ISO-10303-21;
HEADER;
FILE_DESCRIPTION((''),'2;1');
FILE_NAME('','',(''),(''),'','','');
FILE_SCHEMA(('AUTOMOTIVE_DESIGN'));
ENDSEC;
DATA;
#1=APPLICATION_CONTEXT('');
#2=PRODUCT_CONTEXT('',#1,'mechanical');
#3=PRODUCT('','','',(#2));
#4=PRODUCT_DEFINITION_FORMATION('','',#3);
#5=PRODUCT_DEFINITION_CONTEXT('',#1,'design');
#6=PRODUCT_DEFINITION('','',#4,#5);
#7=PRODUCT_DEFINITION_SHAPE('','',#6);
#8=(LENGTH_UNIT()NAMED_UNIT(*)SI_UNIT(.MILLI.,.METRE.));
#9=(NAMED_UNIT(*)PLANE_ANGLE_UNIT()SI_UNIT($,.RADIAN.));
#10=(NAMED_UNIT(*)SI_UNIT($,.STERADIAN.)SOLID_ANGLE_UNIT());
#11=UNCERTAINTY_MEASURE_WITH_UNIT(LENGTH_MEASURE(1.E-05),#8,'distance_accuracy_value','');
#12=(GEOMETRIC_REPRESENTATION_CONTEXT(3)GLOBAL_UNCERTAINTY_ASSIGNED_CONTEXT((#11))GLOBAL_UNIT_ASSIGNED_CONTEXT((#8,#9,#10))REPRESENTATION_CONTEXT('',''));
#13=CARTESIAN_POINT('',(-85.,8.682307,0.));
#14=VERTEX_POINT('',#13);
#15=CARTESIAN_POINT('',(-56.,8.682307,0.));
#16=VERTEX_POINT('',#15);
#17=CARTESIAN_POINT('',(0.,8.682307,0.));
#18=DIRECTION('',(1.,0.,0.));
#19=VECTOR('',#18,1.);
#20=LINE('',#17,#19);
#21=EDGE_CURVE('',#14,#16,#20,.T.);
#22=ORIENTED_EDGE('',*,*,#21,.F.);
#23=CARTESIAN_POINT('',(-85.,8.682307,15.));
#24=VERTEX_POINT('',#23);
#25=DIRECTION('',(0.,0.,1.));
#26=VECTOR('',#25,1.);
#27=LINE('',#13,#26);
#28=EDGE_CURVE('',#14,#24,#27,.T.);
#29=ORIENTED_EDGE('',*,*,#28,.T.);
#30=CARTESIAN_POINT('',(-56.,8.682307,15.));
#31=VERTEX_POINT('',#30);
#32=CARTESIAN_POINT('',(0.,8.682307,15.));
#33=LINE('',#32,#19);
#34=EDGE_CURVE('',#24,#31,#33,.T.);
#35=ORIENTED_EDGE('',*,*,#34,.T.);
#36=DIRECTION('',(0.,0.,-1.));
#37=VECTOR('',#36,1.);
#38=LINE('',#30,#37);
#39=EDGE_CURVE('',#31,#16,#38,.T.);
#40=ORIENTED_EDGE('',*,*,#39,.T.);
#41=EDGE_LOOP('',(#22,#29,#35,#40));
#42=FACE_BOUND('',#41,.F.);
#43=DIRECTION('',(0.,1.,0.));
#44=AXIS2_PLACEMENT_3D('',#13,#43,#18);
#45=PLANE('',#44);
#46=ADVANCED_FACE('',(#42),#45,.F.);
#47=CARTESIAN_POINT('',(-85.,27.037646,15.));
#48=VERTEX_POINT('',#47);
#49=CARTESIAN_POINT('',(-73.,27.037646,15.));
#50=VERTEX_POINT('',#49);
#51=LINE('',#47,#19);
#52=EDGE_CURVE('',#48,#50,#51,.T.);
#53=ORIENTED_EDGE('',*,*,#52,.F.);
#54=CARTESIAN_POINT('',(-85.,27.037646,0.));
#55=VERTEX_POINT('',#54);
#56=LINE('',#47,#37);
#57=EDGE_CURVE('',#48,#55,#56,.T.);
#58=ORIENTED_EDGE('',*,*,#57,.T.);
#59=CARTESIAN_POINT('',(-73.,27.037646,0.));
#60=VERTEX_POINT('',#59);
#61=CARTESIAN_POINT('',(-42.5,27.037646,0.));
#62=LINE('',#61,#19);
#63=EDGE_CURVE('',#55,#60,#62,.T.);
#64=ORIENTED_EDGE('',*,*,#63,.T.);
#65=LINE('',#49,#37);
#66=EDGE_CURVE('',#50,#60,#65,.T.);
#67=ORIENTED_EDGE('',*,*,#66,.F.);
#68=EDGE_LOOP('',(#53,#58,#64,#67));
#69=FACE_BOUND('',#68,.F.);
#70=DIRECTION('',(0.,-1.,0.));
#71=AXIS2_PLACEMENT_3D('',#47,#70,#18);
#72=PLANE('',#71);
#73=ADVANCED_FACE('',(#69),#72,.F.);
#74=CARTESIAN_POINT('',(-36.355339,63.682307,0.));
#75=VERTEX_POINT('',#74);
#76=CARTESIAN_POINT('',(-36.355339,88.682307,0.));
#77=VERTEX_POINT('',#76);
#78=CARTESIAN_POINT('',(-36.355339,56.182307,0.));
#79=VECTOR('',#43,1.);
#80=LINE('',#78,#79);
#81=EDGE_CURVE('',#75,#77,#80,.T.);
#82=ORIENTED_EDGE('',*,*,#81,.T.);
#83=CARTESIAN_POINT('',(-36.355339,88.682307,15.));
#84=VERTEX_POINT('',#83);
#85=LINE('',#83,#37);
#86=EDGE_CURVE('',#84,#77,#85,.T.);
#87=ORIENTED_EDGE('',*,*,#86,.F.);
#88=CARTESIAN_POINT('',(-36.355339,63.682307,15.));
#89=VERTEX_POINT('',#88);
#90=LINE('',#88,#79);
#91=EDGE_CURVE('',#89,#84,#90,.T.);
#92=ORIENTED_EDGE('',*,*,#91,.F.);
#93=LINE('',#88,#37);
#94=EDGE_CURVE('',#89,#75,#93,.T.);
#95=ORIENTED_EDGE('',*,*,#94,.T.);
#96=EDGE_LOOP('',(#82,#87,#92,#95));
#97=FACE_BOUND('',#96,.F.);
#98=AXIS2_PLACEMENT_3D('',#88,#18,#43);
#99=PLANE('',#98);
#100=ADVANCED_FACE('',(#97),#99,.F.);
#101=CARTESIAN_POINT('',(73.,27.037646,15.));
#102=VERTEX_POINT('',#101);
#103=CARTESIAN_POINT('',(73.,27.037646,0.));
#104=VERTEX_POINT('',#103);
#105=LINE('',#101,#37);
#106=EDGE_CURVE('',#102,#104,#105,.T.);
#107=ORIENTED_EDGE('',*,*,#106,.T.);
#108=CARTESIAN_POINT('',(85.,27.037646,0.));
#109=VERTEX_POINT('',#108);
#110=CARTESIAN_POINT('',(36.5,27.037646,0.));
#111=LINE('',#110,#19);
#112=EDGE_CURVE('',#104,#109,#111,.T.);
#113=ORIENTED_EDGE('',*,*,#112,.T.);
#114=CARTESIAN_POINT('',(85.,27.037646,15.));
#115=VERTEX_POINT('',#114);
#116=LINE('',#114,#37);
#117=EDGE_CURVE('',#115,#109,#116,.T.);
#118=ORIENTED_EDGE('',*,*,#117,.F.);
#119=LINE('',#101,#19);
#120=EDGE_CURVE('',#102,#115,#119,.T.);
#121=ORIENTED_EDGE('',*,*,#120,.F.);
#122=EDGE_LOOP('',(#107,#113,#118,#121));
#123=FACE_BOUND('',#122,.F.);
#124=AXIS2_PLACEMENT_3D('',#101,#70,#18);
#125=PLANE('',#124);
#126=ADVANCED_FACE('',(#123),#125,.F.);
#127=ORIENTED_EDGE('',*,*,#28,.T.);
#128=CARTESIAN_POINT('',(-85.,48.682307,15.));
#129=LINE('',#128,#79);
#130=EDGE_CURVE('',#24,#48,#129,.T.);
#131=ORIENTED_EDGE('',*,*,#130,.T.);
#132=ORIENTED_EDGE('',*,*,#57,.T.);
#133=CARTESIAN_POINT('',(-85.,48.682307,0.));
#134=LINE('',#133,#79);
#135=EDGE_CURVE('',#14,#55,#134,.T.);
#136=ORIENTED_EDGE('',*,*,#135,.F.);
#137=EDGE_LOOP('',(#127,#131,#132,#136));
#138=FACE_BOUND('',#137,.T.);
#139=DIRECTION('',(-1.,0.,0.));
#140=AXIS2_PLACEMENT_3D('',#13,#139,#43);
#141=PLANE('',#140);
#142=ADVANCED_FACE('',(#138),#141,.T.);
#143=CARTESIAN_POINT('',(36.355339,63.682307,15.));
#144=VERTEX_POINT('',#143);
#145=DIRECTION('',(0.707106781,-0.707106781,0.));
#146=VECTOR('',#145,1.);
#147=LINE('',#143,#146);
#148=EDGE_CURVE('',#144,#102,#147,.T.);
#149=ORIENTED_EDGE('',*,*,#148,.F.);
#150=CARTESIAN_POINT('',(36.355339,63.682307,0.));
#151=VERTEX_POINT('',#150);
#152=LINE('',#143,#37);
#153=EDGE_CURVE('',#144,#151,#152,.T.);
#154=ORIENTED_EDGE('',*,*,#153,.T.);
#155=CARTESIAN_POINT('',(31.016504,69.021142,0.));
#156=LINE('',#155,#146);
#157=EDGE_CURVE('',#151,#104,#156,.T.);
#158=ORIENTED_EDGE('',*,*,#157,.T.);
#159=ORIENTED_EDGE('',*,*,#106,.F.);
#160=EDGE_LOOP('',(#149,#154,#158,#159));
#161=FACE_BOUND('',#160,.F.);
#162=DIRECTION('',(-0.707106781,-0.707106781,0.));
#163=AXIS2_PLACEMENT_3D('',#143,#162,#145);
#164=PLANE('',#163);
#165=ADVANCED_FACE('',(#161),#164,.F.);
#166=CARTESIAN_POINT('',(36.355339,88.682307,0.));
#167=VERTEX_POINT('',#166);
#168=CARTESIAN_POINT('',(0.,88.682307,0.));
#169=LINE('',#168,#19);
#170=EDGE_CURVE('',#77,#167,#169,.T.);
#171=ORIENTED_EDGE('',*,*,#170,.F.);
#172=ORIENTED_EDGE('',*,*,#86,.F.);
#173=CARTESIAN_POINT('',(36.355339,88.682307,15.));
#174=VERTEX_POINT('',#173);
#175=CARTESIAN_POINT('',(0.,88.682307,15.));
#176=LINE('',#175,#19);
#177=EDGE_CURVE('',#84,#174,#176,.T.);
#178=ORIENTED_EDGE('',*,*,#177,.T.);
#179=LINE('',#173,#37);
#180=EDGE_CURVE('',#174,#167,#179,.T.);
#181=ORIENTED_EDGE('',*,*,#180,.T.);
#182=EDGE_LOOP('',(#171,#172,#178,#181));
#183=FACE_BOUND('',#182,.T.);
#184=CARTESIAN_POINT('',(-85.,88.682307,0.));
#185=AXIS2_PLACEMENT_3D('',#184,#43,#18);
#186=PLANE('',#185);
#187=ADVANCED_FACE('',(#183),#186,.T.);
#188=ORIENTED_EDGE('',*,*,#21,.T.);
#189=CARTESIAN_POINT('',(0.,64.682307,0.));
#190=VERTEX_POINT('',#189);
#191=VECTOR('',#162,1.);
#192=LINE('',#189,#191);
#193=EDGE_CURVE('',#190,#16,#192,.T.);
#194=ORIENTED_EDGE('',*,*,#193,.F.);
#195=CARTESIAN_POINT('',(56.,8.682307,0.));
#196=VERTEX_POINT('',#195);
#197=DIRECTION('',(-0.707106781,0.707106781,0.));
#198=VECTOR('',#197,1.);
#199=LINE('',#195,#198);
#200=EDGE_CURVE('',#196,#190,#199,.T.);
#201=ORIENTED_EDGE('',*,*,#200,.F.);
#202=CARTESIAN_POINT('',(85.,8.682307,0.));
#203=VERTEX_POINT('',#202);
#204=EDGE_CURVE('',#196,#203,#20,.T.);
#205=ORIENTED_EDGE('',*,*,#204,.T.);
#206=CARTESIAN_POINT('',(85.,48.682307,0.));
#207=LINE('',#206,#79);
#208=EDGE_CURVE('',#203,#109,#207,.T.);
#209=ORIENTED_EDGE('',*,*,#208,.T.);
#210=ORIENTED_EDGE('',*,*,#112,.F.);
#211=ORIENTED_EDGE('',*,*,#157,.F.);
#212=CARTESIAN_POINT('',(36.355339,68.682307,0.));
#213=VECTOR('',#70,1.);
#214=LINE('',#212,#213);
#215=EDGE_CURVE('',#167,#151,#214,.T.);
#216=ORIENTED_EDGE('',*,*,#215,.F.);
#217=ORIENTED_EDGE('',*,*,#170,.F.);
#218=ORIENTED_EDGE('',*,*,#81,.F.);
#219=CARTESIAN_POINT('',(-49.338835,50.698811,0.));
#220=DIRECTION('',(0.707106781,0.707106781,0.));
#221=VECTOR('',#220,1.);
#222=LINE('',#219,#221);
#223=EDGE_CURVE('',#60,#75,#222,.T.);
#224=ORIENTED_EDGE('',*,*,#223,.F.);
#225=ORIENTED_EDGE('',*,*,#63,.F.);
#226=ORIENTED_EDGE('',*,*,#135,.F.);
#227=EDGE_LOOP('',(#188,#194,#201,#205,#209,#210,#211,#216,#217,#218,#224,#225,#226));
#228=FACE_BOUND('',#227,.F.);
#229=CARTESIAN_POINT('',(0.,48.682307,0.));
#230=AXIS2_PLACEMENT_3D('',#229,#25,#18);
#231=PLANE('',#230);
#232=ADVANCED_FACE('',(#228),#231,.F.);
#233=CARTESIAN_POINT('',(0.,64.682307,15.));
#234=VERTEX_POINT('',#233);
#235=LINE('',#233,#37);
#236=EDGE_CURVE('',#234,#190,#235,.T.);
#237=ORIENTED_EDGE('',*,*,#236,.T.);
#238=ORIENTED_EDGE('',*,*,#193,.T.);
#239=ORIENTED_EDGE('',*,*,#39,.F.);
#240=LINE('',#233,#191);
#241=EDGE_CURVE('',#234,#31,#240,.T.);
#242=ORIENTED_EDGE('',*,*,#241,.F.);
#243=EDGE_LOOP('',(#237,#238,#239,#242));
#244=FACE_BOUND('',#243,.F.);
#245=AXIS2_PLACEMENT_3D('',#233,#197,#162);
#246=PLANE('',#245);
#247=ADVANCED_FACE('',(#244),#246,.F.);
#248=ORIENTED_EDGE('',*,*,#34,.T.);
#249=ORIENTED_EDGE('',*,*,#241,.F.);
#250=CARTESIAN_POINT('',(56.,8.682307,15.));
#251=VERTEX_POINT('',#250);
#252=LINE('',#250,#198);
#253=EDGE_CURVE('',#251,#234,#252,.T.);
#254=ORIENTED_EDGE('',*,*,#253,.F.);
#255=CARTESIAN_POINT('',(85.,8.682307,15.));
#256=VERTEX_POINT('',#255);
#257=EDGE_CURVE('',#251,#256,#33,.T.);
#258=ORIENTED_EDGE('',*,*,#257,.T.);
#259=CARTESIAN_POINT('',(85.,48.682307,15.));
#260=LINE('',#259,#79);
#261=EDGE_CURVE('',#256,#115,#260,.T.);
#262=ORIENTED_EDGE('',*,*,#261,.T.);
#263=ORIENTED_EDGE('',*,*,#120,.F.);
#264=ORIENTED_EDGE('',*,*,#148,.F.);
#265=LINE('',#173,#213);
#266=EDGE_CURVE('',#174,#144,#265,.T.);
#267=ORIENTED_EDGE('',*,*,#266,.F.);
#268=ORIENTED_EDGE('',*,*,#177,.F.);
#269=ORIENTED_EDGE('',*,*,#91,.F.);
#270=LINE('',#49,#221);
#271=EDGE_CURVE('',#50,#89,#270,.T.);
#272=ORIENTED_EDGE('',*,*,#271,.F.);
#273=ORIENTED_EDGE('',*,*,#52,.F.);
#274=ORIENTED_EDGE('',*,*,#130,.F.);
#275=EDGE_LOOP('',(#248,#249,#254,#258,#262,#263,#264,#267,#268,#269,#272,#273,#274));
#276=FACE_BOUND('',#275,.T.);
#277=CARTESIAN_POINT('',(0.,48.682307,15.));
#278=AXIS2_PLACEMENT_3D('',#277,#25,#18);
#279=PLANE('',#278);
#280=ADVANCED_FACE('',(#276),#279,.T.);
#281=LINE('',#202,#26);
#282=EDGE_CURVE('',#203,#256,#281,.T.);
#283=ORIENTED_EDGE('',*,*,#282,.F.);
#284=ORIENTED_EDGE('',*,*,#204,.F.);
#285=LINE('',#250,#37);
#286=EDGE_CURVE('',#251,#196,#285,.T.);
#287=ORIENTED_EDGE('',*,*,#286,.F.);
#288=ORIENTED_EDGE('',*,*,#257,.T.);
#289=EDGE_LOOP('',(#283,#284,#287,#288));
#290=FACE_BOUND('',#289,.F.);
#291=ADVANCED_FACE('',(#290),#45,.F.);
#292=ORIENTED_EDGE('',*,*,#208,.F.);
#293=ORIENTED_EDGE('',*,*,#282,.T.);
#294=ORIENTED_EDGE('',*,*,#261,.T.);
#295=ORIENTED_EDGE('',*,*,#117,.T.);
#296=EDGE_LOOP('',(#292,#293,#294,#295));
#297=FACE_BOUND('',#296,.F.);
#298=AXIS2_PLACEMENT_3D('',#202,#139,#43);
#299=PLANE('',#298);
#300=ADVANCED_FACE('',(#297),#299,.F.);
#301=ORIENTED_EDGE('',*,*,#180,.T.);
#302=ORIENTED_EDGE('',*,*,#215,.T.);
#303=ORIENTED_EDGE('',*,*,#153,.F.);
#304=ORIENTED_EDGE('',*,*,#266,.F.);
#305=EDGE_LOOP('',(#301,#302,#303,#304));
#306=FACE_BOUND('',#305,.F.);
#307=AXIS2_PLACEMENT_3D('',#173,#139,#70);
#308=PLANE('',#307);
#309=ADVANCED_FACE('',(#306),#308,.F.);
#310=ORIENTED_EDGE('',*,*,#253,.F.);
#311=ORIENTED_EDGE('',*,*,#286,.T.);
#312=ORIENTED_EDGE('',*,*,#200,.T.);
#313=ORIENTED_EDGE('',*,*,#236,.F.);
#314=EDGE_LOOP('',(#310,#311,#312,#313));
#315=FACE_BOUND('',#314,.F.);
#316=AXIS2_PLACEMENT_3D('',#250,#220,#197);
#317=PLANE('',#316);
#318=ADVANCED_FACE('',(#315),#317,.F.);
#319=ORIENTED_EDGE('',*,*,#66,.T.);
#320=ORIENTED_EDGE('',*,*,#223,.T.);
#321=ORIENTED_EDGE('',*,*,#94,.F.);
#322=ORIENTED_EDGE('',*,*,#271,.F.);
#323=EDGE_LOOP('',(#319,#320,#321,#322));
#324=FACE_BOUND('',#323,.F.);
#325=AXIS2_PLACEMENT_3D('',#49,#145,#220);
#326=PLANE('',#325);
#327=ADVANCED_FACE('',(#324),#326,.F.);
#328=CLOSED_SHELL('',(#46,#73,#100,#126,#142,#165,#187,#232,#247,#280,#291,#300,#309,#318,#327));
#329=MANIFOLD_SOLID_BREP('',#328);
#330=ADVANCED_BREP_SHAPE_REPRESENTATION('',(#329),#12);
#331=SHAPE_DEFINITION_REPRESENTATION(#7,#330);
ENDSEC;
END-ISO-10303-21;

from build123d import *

# Parameters (mm, degrees)
F1_W     = 170
F1_H     = 80
F2_DEPTH = 15
F4_DEPTH = 15
F6_DEPTH = 25


with BuildPart() as f2:
    # F1 (on Top) → F2 (new body)
    with BuildSketch(Plane.XY):
        with Locations((0, 48.682307)):
            Rectangle(F1_W, F1_H)
    extrude(amount=F2_DEPTH)

    # F3 (on face) → F4 (cut)
    with BuildSketch(Plane.XY.offset(15)):
        Polygon((0, 64.682307), (-56, 8.682307), (56, 8.682307), align=None)
    extrude(amount=-F4_DEPTH, mode=Mode.SUBTRACT)

    # F5 (on face) → F6 (cut)
    with BuildSketch(Plane.XY.offset(15)):
        Polygon((-85, 88.682307), (-85, 27.037646), (-73, 27.037646), (-36.355339, 63.682307), (-36.355339, 88.682307), align=None)
        Polygon((85, 88.682307), (36.355339, 88.682307), (36.355339, 63.682307), (73, 27.037646), (85, 27.037646), align=None)
    extrude(amount=-F6_DEPTH, mode=Mode.SUBTRACT)


solid = f2.part
